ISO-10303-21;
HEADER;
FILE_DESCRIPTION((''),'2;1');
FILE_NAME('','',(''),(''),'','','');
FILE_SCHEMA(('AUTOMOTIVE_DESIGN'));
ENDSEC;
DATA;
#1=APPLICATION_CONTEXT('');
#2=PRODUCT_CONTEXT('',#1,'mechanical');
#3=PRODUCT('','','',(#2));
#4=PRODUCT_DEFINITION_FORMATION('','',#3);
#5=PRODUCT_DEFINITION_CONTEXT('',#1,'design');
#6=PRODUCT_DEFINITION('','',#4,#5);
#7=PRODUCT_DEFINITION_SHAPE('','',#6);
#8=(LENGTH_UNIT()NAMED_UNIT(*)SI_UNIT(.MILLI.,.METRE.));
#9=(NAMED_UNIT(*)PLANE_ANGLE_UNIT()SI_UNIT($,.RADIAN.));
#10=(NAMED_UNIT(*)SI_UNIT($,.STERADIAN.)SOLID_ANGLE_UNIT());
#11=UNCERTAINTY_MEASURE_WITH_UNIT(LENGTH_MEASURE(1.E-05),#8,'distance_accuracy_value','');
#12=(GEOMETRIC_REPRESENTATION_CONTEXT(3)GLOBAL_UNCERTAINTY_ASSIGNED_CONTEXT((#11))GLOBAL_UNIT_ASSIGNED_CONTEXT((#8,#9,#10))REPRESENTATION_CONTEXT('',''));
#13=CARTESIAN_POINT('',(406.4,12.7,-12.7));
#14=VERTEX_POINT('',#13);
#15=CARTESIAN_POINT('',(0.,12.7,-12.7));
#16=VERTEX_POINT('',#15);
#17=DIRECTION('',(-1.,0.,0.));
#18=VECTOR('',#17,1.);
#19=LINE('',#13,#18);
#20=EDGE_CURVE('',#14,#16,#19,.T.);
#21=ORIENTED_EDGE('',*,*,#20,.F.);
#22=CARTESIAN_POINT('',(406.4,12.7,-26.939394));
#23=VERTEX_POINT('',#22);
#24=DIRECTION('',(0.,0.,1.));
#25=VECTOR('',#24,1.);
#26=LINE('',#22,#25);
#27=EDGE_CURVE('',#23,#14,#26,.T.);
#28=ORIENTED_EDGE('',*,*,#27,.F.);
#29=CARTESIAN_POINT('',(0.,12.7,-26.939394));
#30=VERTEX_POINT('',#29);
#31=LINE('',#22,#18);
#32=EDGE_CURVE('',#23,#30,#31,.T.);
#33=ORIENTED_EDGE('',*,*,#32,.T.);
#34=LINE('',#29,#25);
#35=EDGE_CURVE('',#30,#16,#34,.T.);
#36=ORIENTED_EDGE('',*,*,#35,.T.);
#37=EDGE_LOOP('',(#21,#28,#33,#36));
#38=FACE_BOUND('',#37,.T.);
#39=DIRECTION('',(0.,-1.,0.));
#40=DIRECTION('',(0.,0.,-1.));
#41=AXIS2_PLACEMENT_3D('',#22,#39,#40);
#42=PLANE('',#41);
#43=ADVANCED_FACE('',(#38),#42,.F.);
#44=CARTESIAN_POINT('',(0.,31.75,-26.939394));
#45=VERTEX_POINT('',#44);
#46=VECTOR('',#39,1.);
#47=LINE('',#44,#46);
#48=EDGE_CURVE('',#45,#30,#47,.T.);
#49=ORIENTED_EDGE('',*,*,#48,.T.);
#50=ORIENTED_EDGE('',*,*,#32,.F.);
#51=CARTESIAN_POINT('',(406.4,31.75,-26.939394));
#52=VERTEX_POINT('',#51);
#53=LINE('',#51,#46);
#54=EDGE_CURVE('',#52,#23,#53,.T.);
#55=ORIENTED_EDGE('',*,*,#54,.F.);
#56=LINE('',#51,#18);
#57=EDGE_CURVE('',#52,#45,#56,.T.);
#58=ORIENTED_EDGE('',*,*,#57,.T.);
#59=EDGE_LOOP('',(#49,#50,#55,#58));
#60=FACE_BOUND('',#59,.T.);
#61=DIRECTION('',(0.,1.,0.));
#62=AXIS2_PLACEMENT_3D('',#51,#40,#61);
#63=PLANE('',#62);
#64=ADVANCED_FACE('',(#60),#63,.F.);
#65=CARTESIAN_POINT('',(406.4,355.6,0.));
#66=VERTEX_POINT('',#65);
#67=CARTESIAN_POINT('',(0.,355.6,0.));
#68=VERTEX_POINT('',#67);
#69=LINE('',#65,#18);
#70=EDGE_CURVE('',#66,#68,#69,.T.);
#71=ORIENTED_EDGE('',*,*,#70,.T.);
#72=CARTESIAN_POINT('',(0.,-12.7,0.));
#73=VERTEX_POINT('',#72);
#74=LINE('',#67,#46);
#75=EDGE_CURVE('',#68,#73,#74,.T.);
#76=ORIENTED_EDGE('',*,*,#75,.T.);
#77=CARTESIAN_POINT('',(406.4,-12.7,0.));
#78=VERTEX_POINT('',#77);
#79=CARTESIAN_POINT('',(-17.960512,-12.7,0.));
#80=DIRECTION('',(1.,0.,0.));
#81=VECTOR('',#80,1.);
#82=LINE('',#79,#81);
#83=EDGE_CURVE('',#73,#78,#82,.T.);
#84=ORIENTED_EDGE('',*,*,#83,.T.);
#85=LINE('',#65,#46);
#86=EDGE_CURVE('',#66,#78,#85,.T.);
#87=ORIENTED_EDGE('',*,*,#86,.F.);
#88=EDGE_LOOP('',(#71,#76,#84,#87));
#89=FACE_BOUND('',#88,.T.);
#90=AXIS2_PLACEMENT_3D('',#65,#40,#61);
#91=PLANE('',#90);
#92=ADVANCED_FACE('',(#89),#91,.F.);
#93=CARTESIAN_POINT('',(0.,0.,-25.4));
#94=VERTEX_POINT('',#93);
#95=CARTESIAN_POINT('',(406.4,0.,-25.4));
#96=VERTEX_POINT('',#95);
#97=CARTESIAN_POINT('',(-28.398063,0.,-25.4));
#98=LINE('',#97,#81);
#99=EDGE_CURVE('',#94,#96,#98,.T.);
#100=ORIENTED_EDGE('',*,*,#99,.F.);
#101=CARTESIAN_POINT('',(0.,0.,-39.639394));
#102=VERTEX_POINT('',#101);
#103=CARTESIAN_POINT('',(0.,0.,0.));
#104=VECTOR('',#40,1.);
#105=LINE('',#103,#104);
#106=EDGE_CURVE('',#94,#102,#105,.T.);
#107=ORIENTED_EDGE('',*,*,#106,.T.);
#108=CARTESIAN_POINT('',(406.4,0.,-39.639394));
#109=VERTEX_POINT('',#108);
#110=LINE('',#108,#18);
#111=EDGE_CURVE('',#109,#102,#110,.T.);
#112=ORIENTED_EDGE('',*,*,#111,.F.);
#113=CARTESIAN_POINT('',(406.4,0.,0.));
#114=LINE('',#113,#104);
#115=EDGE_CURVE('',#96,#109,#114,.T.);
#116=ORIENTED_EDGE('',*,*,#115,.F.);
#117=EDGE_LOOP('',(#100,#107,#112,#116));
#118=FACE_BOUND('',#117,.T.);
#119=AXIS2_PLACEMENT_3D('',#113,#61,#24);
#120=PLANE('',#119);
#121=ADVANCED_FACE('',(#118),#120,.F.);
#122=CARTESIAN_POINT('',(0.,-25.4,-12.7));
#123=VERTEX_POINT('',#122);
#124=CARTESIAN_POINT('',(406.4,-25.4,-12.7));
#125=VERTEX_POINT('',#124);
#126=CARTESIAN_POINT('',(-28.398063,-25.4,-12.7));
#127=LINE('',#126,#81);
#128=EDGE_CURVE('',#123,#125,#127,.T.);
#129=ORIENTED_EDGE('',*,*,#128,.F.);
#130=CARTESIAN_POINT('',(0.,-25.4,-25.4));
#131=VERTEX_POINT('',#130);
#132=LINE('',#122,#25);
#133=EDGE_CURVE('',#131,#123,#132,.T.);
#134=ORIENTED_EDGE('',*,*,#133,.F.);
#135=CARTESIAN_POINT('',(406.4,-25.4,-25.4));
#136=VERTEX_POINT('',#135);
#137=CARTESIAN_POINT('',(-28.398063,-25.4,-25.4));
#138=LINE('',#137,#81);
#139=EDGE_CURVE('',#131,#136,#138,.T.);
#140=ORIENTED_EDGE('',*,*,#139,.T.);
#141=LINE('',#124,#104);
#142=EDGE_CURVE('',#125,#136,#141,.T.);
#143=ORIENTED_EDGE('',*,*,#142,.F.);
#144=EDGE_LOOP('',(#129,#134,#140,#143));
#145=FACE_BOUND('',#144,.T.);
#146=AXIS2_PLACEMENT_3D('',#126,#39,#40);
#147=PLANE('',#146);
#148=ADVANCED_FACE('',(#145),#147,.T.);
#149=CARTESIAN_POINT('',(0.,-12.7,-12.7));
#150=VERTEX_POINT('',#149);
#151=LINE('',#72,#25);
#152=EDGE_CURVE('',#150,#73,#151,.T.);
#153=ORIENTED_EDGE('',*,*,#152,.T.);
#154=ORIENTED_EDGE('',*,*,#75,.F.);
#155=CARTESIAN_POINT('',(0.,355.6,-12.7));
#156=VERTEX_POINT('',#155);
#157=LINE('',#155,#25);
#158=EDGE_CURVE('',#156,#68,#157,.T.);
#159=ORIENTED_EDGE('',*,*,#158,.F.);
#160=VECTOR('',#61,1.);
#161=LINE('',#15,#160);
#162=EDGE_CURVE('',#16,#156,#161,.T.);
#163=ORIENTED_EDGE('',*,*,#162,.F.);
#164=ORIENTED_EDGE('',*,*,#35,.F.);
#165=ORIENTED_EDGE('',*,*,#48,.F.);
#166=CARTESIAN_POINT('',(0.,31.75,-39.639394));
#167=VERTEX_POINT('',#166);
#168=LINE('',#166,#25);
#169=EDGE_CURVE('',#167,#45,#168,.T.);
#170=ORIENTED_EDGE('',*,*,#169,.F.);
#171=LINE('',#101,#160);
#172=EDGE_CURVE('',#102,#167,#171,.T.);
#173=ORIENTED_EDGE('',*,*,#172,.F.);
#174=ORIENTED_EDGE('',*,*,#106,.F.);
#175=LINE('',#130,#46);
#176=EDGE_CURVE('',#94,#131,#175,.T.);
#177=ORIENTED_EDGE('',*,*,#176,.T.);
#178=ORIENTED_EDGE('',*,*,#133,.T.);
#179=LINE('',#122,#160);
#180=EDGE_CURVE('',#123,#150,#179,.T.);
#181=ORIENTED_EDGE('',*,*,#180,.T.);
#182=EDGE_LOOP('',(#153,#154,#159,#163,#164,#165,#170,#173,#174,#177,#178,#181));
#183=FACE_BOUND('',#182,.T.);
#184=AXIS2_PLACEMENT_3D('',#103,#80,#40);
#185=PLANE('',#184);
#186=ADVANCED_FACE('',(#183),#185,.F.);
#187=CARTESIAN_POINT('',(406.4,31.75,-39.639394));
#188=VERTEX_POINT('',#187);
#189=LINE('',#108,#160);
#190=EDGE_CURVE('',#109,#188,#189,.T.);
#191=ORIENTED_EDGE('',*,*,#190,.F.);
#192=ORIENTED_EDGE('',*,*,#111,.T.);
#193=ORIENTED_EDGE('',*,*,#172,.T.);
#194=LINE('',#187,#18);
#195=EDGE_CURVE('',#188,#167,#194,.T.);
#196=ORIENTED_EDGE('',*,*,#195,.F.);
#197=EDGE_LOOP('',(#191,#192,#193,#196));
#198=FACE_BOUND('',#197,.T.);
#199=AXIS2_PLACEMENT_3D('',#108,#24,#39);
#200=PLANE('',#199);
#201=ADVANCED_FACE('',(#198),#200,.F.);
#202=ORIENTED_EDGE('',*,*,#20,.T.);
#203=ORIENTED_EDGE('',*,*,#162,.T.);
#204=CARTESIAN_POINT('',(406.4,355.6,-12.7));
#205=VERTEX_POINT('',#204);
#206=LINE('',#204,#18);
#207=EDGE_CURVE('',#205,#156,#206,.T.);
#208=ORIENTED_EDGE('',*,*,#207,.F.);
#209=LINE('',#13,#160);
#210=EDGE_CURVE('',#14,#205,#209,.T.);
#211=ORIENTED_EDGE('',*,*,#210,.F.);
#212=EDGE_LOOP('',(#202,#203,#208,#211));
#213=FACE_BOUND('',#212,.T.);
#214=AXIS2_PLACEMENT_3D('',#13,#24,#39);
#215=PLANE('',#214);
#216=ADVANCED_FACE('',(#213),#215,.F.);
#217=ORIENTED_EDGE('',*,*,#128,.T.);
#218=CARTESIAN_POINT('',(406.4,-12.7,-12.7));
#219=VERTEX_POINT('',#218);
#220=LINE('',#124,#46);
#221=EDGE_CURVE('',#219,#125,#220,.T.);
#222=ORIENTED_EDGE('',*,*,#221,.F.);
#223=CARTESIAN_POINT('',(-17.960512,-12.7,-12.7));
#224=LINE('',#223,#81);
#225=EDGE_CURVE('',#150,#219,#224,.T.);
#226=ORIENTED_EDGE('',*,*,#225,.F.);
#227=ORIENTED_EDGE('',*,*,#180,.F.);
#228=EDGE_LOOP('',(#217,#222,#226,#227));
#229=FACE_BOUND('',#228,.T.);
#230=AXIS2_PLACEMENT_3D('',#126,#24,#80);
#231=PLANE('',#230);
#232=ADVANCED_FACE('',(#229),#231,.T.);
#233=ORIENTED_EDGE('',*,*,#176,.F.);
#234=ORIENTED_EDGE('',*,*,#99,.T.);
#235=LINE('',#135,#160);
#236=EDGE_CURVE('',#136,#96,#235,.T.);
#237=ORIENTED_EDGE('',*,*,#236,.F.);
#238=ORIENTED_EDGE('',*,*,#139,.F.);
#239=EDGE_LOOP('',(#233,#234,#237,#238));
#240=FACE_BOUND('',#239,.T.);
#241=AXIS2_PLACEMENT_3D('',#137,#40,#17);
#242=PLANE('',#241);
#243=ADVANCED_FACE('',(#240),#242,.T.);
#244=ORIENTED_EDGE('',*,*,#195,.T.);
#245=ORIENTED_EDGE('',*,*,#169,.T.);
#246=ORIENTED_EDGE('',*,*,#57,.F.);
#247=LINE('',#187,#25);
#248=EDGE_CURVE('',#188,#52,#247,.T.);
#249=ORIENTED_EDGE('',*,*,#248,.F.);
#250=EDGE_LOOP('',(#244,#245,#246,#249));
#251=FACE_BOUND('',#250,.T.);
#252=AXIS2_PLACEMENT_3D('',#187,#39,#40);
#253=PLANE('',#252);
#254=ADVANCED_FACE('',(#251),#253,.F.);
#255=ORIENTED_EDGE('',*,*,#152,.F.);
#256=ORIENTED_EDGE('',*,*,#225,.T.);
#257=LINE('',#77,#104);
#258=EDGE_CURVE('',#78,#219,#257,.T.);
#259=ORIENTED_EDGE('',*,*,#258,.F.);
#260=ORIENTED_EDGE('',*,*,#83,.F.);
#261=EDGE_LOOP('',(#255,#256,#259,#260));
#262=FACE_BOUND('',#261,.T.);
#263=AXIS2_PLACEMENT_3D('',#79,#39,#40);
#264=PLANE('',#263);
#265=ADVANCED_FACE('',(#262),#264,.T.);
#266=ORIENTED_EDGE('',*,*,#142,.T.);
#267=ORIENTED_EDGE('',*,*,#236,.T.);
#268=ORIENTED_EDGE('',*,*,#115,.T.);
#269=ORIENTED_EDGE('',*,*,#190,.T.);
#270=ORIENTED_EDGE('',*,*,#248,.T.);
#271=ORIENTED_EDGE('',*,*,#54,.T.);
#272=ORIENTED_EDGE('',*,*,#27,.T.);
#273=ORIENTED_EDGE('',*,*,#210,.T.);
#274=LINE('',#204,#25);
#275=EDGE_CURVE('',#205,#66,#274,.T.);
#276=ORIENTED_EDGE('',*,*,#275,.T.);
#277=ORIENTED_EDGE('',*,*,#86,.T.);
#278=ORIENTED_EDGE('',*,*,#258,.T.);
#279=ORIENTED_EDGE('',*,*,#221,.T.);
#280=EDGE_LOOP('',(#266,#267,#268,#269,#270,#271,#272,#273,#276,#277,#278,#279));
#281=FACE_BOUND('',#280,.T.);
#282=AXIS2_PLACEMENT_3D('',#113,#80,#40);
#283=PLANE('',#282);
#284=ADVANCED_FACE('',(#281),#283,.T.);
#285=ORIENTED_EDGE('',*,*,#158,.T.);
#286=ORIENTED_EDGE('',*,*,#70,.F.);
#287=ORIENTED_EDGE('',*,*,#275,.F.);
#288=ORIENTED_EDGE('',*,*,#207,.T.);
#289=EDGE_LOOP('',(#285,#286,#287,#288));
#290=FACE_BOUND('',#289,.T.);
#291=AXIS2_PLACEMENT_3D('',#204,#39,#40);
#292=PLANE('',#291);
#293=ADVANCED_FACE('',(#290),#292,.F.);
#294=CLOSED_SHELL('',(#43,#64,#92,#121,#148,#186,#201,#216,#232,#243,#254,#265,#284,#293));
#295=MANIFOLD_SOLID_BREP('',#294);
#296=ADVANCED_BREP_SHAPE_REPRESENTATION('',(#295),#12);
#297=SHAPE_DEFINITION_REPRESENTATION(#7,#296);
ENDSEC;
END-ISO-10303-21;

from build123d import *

# Parameters (mm, degrees)
BOSS_EXTRUDE1_DEPTH = 406.4
SKETCH3_W           = 12.7
SKETCH3_H           = 12.7
BOSS_EXTRUDE2_DEPTH = 406.4
SKETCH4_W           = 12.7
SKETCH4_H           = 25.4
BOSS_EXTRUDE3_DEPTH = 406.4


with BuildPart() as part:
    # Sketch2 → Boss-Extrude1 (new body)
    with BuildSketch(Plane(origin=(0, 0, 0), x_dir=(0, 0, -1), z_dir=(1, 0, 0))):
        Polygon((0, 0), (39.639393939, 0), (39.639393939, 31.75), (26.939393939, 31.75), (26.939393939, 12.7), (12.7, 12.7), (12.7, 355.6), (0, 355.6), align=None)
    extrude(amount=BOSS_EXTRUDE1_DEPTH)

    # Sketch3 → Boss-Extrude2 (add)
    with BuildSketch(Plane(origin=(406.4, 0, 0), x_dir=(0, 0, -1), z_dir=(1, 0, 0))):
        with Locations((6.35, -6.35)):
            Rectangle(SKETCH3_W, SKETCH3_H)
    extrude(amount=-BOSS_EXTRUDE2_DEPTH)

    # Sketch4 → Boss-Extrude3 (add)
    with BuildSketch(Plane(origin=(406.4, 0, 0), x_dir=(0, 0, -1), z_dir=(1, 0, 0))):
        with Locations((19.05, -12.7)):
            Rectangle(SKETCH4_W, SKETCH4_H)
    extrude(amount=-BOSS_EXTRUDE3_DEPTH)


solid = part.part
